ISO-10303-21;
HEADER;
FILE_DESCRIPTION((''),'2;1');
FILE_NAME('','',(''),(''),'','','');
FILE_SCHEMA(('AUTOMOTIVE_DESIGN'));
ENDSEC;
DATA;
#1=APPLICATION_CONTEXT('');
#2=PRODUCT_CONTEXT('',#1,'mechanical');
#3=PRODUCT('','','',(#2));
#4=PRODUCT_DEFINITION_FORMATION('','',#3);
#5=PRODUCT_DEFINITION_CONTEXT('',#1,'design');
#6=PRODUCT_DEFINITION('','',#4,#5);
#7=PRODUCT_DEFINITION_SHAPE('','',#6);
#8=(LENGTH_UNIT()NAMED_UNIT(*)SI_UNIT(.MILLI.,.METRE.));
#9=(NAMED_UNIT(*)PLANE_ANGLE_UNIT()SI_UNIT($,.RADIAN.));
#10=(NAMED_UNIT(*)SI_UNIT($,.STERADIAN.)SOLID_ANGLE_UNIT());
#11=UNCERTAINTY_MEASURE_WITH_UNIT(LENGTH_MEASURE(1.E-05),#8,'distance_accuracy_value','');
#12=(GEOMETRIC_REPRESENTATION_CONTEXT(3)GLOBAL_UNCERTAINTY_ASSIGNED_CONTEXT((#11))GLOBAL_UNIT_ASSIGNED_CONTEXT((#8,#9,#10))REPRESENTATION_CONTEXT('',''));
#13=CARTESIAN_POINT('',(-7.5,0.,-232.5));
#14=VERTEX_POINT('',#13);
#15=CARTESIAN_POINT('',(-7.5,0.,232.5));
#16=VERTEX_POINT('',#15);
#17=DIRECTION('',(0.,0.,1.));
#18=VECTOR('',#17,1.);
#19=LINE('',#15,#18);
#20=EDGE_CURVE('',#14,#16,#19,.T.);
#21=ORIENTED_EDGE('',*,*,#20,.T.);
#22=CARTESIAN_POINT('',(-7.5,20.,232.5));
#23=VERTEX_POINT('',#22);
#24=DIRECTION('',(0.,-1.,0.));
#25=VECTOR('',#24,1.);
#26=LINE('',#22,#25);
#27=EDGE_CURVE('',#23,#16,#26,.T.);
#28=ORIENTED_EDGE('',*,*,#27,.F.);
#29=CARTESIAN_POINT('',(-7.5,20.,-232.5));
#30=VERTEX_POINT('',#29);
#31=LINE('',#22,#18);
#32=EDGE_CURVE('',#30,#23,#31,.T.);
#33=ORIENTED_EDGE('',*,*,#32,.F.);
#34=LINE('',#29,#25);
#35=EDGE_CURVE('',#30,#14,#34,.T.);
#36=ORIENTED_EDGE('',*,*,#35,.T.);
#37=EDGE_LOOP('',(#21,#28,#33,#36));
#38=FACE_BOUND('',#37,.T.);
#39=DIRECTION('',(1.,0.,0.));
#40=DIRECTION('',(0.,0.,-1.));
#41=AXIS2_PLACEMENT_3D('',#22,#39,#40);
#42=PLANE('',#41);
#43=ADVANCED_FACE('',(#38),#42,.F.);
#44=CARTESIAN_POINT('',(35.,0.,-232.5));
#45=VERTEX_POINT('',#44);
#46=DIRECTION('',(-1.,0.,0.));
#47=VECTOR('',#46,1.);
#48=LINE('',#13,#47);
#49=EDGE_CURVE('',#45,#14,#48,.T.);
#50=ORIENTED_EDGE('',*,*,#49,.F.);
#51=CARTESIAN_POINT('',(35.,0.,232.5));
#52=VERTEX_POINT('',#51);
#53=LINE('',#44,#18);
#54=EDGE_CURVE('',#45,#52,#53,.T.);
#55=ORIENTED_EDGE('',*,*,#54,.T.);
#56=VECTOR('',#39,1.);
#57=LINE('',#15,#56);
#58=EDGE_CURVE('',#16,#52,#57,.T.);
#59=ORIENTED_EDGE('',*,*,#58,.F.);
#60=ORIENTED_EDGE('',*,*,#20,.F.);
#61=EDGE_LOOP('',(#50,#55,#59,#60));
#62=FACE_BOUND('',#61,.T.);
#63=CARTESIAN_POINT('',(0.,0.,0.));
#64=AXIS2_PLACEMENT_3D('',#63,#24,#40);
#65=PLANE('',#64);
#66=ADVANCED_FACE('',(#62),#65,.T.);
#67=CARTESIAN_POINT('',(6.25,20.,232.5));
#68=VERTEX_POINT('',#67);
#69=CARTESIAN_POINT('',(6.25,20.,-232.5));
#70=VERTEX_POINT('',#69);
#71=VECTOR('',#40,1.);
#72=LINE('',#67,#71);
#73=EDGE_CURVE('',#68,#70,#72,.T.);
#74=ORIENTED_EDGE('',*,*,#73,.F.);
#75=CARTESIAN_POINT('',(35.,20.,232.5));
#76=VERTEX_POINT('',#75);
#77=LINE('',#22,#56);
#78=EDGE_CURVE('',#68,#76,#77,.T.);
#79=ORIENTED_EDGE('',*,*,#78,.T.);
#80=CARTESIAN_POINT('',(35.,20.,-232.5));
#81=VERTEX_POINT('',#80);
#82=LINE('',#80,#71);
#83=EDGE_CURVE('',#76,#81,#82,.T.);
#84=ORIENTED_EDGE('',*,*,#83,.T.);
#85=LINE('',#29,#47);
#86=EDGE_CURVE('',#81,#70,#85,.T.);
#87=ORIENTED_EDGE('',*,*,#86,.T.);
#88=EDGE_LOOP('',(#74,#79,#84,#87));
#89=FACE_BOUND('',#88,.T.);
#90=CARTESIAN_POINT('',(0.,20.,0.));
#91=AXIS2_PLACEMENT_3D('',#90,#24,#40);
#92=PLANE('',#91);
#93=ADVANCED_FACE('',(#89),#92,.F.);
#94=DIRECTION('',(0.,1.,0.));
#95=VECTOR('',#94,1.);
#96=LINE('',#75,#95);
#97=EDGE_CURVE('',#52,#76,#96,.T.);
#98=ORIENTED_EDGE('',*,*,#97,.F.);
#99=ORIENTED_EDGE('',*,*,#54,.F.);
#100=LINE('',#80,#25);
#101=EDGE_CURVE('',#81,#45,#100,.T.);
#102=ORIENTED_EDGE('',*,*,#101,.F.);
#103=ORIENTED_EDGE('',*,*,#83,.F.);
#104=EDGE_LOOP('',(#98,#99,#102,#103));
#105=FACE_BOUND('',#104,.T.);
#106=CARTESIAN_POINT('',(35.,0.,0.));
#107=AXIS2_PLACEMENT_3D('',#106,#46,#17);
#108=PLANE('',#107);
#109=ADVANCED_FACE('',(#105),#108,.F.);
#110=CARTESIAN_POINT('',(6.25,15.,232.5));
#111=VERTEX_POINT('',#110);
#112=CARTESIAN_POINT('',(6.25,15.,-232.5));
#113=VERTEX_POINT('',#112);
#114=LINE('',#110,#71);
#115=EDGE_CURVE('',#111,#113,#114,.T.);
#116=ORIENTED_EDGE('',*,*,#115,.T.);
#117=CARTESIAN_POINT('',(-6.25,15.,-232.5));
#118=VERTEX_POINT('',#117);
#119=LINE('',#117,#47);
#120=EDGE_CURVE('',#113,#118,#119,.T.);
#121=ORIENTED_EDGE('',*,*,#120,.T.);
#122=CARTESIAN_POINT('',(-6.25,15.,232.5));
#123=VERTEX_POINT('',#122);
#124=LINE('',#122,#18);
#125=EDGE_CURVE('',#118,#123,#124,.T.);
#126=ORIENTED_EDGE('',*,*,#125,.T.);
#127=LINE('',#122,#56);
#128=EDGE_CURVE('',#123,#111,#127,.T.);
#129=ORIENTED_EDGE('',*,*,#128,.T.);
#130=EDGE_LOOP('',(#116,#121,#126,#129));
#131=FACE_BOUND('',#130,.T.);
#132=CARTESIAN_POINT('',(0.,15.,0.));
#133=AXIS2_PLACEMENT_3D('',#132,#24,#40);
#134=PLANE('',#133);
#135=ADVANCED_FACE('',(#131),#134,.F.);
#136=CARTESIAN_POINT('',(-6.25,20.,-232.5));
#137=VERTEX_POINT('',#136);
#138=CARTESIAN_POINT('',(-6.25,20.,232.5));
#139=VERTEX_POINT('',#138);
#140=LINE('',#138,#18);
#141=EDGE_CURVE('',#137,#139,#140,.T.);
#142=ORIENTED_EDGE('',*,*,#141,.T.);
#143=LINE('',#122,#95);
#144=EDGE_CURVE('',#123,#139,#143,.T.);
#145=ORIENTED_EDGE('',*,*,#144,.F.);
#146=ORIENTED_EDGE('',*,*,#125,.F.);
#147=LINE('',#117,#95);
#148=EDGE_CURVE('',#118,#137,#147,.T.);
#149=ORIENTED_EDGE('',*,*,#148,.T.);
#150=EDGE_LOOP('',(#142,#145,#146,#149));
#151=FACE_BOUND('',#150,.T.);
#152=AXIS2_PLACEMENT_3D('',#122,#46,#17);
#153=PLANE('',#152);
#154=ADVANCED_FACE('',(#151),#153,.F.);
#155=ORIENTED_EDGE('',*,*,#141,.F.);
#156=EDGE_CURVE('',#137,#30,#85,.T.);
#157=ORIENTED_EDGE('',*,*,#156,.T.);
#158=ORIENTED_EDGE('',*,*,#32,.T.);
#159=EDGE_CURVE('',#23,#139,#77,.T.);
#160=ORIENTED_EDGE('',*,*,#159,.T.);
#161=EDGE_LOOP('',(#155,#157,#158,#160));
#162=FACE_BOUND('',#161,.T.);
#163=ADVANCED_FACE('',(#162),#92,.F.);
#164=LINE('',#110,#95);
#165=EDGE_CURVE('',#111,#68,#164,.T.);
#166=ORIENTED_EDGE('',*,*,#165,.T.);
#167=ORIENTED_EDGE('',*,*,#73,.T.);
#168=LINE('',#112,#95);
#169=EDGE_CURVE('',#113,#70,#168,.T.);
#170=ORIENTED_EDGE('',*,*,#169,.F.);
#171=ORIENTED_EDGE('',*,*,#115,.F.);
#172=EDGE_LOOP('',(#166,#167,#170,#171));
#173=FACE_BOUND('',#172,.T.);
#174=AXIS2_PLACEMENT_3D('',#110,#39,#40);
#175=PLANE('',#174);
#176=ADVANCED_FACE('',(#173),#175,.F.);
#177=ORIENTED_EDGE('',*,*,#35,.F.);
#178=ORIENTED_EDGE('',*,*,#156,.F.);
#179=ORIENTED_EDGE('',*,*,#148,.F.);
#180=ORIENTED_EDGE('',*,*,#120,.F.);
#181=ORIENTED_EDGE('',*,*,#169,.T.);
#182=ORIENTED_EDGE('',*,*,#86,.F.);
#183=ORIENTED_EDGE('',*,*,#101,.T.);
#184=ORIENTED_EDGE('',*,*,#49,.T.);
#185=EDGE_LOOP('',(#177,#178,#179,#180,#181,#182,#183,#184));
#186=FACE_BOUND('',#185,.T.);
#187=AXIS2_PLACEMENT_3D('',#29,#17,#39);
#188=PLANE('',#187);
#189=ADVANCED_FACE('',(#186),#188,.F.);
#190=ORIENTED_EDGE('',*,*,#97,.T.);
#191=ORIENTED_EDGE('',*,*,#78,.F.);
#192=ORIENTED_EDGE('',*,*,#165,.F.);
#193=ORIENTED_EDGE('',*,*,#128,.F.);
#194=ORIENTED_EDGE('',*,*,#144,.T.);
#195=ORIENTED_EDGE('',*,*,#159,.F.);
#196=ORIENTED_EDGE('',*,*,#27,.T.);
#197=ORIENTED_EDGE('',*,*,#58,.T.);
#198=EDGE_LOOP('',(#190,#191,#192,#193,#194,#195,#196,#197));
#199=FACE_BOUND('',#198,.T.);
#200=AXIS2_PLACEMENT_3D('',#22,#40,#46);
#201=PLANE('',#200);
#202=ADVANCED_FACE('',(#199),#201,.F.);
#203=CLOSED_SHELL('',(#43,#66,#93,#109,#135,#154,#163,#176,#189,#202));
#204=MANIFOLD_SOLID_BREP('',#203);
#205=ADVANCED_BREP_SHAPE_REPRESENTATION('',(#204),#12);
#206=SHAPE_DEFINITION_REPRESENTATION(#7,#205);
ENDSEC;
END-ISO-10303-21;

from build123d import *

# Parameters (mm, degrees)
SKETCH1_W           = 15
SKETCH1_H           = 465
BOSS_EXTRUDE1_DEPTH = 20
SKETCH2_W           = 12.5
SKETCH2_H           = 465
CUT_EXTRUDE1_DEPTH  = 5
SKETCH4_W           = 465
SKETCH4_H           = 20
BOSS_EXTRUDE3_DEPTH = 27.5


with BuildPart() as part:
    # Sketch1 → Boss-Extrude1 (new body)
    with BuildSketch(Plane(origin=(0, 0, 0), x_dir=(1, 0, 0), z_dir=(0, 1, 0))):
        Rectangle(SKETCH1_W, SKETCH1_H)
    extrude(amount=BOSS_EXTRUDE1_DEPTH)

    # Sketch2 → Cut-Extrude1 (cut)
    with BuildSketch(Plane(origin=(0, 20, 0), x_dir=(1, 0, 0), z_dir=(0, 1, 0))):
        Rectangle(SKETCH2_W, SKETCH2_H)
    extrude(amount=-CUT_EXTRUDE1_DEPTH, mode=Mode.SUBTRACT)

    # Sketch4 → Boss-Extrude3 (add)
    with BuildSketch(Plane.ZY.offset(-7.5)):
        with Locations((0, 10)):
            Rectangle(SKETCH4_W, SKETCH4_H)
    extrude(amount=-BOSS_EXTRUDE3_DEPTH)


solid = part.part
